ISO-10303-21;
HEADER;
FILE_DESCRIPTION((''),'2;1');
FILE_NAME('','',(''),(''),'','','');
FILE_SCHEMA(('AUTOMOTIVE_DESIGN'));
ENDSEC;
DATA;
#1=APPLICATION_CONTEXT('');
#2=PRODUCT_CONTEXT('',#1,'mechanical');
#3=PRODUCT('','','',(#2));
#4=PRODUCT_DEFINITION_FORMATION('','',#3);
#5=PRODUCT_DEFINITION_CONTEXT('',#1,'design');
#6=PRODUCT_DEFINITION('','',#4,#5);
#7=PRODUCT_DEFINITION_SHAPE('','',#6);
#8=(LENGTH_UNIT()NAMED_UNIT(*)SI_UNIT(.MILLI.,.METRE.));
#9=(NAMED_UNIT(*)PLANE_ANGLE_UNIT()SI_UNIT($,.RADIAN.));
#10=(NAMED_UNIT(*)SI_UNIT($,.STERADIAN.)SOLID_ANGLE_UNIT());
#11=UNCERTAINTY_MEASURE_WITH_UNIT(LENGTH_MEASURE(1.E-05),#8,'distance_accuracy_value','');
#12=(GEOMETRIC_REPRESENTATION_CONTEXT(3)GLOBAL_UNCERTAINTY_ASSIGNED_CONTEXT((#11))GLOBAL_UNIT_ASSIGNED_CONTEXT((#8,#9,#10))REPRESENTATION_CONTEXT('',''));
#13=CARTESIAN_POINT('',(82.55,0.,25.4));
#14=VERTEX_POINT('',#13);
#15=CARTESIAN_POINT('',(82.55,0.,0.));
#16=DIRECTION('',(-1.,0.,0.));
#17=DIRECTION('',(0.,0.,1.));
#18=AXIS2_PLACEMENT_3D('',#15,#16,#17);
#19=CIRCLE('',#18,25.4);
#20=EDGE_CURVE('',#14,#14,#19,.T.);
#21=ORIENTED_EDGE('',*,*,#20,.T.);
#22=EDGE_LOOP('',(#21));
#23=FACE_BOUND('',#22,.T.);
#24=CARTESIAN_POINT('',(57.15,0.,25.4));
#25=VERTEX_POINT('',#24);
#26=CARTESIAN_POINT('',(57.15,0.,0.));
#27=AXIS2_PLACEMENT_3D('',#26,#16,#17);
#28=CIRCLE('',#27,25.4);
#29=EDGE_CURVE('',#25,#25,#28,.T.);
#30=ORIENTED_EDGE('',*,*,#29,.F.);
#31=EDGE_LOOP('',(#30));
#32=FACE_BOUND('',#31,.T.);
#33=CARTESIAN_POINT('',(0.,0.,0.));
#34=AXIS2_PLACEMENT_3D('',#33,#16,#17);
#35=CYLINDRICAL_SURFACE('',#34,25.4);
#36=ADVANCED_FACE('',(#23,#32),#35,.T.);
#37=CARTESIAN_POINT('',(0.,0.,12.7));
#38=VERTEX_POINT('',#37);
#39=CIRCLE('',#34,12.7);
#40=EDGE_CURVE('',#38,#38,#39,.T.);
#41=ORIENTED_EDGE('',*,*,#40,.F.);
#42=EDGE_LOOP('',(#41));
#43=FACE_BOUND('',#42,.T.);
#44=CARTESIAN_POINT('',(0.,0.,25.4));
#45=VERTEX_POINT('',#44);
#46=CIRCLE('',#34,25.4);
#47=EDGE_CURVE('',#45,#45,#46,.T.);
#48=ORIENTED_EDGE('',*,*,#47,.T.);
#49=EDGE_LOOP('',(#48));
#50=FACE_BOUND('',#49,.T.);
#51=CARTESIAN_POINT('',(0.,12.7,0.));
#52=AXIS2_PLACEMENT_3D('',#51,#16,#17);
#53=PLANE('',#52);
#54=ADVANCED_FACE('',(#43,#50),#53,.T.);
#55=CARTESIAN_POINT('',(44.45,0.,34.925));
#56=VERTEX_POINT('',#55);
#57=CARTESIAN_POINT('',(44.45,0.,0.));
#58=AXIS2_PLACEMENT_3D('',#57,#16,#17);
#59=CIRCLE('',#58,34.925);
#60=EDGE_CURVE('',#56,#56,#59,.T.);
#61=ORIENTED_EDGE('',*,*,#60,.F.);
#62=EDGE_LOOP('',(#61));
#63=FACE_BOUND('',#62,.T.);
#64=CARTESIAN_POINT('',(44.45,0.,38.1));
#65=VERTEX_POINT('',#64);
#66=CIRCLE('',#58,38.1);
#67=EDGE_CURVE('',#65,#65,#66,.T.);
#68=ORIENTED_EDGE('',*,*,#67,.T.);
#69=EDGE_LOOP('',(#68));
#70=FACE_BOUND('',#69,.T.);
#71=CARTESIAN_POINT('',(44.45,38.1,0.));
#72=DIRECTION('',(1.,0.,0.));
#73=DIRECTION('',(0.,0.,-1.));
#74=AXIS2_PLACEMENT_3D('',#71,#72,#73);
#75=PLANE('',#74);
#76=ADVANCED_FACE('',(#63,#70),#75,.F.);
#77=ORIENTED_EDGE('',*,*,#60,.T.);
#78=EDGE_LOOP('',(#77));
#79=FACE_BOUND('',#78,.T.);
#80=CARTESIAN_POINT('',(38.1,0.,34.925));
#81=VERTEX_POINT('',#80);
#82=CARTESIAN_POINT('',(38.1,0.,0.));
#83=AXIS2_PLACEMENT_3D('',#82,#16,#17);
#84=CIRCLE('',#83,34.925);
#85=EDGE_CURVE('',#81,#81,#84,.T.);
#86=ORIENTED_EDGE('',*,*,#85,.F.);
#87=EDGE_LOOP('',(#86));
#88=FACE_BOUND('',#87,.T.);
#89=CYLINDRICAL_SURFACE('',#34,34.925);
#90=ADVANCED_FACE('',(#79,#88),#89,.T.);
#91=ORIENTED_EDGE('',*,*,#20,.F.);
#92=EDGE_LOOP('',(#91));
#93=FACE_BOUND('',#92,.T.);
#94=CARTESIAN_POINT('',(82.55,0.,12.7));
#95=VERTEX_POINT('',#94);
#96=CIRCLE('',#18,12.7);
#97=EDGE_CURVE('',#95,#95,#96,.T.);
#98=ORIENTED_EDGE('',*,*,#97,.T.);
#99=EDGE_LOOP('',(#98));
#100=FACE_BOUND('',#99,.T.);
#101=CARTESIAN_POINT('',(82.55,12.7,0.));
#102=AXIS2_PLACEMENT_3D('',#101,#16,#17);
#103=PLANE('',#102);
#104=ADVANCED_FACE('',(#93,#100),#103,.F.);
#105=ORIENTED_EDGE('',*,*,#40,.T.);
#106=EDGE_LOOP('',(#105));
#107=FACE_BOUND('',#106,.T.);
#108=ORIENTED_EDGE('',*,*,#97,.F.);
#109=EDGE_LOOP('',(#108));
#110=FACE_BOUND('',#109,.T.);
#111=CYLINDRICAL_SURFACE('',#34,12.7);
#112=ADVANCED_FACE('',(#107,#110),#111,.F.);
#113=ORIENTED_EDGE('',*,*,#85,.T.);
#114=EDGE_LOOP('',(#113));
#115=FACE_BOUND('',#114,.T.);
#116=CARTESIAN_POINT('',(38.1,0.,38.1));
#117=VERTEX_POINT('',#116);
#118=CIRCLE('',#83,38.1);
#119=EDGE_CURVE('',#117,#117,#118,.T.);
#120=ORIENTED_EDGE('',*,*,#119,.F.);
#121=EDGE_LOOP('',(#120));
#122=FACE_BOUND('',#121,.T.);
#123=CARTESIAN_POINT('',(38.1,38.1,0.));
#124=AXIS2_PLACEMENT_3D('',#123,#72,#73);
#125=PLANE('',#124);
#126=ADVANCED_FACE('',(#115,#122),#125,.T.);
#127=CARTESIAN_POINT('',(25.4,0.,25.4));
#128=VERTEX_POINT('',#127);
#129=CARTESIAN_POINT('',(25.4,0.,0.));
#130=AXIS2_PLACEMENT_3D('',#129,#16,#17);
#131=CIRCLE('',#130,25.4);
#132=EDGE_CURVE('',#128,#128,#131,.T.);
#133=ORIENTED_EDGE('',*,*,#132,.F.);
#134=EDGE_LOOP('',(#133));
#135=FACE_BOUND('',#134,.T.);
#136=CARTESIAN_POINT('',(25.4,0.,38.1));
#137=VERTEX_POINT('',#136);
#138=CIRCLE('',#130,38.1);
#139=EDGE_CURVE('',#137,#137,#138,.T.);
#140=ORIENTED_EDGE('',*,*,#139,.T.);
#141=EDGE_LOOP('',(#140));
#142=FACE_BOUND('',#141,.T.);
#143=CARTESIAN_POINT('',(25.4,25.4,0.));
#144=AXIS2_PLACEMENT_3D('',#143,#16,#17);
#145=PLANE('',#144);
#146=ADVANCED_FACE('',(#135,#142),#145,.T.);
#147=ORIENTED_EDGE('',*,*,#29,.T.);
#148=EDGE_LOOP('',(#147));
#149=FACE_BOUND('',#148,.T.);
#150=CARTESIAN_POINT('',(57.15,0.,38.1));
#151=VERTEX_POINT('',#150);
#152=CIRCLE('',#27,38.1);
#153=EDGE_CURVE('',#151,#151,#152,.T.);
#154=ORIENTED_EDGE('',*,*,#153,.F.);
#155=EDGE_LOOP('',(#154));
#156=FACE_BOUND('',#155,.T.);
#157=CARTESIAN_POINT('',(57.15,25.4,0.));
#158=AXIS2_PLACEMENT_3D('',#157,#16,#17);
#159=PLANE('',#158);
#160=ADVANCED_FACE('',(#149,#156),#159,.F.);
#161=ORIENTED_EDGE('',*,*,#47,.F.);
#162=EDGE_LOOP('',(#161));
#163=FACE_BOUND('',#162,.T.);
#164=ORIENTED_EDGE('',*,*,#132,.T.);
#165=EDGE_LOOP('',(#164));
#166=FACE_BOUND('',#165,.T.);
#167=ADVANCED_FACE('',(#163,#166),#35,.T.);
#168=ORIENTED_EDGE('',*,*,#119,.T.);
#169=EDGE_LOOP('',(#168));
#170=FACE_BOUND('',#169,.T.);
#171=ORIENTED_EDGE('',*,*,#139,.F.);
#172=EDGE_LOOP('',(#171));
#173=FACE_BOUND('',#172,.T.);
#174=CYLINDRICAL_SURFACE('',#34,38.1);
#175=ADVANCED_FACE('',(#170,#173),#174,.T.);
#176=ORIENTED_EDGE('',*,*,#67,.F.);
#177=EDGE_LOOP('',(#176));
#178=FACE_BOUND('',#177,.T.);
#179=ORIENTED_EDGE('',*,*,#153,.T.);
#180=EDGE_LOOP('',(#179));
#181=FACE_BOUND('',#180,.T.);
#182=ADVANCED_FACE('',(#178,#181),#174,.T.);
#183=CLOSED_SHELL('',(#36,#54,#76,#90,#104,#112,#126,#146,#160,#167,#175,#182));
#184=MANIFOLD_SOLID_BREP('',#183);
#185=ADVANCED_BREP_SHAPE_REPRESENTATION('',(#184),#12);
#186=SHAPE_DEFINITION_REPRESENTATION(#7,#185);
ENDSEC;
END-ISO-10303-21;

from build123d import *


with BuildPart() as part:
    # Sketch1 → Base-Revolve (revolve)
    with BuildSketch(Plane.XY, mode=Mode.PRIVATE) as base_revolve_sk:
        Polygon((0, 12.7), (0, 25.4), (25.4, 25.4), (25.4, 38.1), (38.1, 38.1), (38.1, 34.925), (44.45, 34.925), (44.45, 38.1), (57.15, 38.1), (57.15, 25.4), (82.55, 25.4), (82.55, 12.7), align=None)
    revolve(base_revolve_sk.sketch.rotate(Axis((0, 0, 0), (1, 0, 0)), 90), axis=Axis((0, 0, 0), (1, 0, 0)))


solid = part.part
